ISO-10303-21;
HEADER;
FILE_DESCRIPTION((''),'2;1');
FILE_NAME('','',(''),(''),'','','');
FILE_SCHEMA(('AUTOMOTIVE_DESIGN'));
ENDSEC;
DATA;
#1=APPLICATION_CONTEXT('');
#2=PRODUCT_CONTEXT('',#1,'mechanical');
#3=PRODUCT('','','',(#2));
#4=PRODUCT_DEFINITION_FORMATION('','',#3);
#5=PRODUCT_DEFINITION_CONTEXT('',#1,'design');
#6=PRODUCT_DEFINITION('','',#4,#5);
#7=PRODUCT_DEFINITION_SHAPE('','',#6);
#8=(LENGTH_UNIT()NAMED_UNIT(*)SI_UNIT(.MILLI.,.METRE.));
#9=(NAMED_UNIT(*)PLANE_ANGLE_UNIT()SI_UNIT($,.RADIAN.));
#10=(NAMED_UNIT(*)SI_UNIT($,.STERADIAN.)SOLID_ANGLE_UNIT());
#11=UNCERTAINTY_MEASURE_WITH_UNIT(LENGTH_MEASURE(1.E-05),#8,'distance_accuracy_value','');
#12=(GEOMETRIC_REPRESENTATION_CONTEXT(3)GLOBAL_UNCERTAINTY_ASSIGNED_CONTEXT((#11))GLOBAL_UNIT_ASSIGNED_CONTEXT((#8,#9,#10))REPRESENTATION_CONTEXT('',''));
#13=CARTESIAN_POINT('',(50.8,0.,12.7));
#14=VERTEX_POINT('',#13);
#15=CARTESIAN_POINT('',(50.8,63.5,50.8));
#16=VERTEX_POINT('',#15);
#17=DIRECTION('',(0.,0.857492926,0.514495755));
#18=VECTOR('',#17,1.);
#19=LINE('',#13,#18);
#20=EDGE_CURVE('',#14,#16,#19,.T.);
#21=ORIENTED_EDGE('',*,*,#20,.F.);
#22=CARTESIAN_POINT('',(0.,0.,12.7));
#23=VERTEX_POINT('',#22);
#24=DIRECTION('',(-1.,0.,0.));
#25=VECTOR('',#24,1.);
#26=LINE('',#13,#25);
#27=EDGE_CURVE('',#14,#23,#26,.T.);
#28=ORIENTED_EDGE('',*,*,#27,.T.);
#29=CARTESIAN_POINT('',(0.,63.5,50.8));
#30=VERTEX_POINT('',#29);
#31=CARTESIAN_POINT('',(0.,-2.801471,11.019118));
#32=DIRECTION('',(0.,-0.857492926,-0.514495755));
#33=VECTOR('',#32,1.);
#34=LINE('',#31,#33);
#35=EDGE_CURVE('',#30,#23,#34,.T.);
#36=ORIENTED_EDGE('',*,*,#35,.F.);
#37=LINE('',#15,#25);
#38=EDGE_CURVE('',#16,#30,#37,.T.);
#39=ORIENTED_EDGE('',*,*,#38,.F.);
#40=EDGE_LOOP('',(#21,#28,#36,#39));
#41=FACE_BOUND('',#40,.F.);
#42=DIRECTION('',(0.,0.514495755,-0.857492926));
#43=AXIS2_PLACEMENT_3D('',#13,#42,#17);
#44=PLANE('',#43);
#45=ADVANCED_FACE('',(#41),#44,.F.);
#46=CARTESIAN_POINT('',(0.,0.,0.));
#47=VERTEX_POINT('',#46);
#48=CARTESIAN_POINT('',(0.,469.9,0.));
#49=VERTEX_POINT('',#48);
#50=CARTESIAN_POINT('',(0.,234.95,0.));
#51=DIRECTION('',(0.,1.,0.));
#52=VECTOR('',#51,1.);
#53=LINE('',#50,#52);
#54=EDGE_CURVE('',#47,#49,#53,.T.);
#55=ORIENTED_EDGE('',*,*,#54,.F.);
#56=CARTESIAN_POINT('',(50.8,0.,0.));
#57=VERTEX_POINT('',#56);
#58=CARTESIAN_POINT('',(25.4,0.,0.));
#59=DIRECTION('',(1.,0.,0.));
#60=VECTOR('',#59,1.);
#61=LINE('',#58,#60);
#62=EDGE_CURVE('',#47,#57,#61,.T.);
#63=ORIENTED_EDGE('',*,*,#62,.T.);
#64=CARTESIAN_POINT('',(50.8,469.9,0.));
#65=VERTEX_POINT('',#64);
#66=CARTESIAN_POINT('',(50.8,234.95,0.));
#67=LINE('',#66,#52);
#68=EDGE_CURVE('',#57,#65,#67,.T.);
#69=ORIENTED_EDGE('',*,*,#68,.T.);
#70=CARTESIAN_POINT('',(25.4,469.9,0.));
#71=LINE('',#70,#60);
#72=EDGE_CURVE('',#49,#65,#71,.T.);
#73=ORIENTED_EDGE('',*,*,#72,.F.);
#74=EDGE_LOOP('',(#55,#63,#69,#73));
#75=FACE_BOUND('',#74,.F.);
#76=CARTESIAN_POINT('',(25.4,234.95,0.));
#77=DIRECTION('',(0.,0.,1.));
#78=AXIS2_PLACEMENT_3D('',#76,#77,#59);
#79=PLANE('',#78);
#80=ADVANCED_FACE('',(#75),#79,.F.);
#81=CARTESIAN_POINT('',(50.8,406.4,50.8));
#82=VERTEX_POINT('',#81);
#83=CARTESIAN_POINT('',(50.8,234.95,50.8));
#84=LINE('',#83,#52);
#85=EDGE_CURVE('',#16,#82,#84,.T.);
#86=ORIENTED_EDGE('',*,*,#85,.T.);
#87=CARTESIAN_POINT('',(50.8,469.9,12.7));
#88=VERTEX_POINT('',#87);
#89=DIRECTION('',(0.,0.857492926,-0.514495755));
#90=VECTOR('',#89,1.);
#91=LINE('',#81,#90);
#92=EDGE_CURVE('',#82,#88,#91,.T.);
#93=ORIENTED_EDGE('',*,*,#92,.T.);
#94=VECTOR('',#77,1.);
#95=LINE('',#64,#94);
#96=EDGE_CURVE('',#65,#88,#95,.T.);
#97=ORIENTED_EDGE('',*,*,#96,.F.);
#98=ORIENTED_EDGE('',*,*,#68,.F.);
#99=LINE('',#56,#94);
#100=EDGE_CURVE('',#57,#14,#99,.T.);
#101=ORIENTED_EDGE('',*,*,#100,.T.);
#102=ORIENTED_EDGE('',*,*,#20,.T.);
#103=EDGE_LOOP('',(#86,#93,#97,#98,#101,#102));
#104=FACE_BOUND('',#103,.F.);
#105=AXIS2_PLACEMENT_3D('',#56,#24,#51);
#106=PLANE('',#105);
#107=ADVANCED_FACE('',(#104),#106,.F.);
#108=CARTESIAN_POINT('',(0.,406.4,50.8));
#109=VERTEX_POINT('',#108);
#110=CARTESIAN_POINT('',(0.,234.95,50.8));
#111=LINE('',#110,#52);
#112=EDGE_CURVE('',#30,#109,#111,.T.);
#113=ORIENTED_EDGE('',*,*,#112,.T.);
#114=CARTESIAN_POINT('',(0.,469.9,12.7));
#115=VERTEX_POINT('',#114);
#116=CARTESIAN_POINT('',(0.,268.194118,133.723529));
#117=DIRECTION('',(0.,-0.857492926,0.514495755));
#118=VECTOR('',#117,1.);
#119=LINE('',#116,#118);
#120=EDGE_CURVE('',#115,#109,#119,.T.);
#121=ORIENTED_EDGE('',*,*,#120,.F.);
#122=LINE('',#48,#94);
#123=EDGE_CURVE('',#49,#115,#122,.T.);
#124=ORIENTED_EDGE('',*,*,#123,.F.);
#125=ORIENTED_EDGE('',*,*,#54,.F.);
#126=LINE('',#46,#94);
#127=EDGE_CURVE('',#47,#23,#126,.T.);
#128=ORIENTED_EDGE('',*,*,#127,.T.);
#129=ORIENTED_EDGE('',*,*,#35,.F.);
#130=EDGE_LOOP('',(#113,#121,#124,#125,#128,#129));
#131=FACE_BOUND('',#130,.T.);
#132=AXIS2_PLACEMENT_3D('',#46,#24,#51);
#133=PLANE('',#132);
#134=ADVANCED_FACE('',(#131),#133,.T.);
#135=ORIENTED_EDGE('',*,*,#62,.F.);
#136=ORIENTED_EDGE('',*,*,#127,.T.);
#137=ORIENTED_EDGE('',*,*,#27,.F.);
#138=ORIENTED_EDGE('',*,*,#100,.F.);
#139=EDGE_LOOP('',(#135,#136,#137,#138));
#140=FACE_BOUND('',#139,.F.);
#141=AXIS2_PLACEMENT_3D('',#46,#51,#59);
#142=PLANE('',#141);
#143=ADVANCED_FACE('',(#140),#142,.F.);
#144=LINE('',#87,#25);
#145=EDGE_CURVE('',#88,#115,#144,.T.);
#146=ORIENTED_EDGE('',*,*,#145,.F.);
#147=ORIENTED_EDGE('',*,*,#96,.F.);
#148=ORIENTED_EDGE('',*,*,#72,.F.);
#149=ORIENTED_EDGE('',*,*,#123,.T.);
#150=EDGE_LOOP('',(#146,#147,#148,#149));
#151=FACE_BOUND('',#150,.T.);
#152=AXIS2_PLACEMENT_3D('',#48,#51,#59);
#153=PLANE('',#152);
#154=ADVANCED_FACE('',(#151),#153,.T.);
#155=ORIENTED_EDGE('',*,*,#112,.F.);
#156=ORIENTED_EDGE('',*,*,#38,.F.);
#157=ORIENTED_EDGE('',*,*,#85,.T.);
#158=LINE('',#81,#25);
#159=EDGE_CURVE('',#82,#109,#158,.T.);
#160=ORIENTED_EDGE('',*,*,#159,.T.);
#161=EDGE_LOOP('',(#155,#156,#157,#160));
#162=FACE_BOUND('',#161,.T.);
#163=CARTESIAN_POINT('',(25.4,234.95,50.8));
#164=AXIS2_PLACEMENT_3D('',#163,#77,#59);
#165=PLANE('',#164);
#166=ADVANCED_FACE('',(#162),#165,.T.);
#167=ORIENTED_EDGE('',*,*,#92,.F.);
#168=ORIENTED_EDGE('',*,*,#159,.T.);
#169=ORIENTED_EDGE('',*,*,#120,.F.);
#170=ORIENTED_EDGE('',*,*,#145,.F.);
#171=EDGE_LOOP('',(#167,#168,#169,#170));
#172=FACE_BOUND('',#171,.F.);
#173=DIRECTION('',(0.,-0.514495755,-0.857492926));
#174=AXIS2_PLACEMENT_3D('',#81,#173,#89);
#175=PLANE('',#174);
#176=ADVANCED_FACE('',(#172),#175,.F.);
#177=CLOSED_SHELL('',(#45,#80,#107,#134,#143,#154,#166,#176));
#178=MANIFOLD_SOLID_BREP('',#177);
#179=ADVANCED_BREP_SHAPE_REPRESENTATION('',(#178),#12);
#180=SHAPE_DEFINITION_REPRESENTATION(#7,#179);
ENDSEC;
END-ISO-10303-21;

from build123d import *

# Parameters (mm, degrees)
F0_W     = 50.8
F0_H     = 469.9
F1_DEPTH = 50.8
F3_DEPTH = 50.801


with BuildPart() as f1:
    # F0 (on Top) → F1 (new body)
    with BuildSketch(Plane.XY):
        with Locations((25.4, 234.95)):
            Rectangle(F0_W, F0_H)
    extrude(amount=F1_DEPTH)

    # F2 (on face) → F3 (cut, through all)
    with BuildSketch(Plane.YZ.offset(50.8)):
        Polygon((0, 50.8), (0, 12.7), (63.5, 50.8), align=None)
        Polygon((406.4, 50.8), (469.9, 12.7), (469.9, 50.8), align=None)
    extrude(amount=-F3_DEPTH, mode=Mode.SUBTRACT)


solid = f1.part
